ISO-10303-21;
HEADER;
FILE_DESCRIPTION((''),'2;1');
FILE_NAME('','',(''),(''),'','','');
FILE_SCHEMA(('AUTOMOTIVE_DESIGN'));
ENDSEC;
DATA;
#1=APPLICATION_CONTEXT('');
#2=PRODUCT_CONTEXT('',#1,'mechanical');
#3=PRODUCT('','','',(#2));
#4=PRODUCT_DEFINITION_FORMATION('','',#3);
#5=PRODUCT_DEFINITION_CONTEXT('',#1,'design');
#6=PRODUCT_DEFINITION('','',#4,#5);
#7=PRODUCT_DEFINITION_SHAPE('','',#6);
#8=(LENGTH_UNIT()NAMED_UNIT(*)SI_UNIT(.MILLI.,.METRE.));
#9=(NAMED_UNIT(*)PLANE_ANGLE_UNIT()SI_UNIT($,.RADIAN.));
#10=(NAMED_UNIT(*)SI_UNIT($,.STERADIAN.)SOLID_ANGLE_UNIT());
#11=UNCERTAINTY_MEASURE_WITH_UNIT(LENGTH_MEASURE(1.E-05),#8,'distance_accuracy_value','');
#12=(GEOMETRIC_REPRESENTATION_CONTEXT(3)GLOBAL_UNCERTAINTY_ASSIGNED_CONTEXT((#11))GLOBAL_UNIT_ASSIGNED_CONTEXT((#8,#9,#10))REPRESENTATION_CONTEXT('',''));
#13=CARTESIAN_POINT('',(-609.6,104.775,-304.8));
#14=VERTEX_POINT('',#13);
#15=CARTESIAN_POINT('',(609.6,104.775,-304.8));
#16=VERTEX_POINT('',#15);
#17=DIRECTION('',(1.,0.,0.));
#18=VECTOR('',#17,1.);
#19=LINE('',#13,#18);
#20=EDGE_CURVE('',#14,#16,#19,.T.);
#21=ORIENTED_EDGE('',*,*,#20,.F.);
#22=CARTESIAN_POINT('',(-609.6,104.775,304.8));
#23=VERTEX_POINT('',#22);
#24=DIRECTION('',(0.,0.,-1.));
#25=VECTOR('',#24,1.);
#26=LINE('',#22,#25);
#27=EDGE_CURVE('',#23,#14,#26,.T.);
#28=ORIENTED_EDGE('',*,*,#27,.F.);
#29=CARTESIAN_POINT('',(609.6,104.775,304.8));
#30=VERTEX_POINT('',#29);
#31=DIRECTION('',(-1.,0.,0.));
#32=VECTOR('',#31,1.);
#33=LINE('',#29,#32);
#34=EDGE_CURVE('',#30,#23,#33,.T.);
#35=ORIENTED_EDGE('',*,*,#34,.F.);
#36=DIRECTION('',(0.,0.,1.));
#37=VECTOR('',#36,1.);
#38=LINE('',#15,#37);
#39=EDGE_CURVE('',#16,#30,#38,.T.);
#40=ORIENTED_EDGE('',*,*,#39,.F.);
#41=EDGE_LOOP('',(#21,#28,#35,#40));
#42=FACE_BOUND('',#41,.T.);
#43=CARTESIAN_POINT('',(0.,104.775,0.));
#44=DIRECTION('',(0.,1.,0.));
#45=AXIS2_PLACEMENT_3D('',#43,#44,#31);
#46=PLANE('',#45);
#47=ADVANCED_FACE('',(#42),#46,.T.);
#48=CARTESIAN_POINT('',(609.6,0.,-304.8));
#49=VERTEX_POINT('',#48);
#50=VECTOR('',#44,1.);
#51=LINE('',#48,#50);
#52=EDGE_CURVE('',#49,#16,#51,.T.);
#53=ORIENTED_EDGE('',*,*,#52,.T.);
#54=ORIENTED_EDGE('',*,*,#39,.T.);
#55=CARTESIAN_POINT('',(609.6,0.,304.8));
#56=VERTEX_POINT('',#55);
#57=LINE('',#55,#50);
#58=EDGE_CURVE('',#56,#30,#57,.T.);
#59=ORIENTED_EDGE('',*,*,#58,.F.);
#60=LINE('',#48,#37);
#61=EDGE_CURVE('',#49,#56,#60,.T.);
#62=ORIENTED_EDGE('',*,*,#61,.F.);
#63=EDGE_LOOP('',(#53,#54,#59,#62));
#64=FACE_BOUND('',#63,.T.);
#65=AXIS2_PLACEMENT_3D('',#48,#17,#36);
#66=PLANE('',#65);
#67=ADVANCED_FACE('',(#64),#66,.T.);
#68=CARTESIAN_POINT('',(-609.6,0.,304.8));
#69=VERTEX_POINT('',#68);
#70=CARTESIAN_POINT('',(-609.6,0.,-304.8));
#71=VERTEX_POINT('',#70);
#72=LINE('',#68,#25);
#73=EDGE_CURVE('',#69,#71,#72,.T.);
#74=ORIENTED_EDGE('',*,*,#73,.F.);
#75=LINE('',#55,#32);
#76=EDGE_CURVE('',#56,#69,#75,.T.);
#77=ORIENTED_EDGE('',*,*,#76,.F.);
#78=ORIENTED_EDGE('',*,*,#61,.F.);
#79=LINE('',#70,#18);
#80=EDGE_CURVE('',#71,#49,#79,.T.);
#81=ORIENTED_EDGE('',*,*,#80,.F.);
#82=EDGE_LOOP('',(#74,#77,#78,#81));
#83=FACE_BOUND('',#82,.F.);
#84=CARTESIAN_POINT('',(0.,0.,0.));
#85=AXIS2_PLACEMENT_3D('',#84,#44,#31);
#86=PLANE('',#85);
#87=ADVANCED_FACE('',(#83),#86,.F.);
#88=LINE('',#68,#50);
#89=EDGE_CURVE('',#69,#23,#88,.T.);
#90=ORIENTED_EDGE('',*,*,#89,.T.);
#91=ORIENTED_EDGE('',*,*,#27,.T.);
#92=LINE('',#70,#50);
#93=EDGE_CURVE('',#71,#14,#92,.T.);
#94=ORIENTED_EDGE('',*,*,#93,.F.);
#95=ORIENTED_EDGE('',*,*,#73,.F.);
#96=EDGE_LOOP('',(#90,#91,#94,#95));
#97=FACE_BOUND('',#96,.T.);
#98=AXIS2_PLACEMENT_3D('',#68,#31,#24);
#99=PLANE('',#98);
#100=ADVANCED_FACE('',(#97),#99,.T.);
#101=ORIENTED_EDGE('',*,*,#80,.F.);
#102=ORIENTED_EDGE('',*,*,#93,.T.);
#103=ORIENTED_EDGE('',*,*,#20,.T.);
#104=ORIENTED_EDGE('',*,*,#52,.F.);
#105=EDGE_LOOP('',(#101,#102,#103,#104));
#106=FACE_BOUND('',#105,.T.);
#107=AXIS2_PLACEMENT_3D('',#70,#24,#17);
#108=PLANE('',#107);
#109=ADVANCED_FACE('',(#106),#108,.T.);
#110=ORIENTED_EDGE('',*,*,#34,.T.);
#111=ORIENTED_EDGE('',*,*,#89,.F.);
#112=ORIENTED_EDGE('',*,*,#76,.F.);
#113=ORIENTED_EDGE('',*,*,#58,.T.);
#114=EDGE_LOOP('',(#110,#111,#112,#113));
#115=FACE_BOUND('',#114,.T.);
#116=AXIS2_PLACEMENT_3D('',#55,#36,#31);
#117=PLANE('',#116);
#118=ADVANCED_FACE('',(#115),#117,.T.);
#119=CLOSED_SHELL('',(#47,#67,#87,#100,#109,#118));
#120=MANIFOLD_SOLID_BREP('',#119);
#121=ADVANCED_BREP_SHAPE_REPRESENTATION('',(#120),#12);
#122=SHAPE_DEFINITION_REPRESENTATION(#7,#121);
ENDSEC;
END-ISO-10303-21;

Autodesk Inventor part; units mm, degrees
ref_plane "YZ Plane" through (0, 0, 0) normal (1, 0, 0) x (0, 1, 0)
ref_plane "XZ Plane" through (0, 0, 0) normal (0, 1, 0) x (-1, 0, 0)
ref_plane "XY Plane" through (0, 0, 0) normal (0, 0, 1) x (1, 0, 0)
sketch "Sketch2" plane through (0, 0, 0) normal (0, 1, 0) x (-1, 0, 0)
  line L0 (609.6, -304.8) -> (-609.6, -304.8)
  line L1 (-609.6, -304.8) -> (-609.6, 304.8)
  line L2 (-609.6, 304.8) -> (609.6, 304.8)
  line L3 (609.6, 304.8) -> (609.6, -304.8)
  line L4 (609.6, -304.8) -> (-609.6, 304.8) construction
  line L5 (-609.6, -304.8) -> (609.6, 304.8) construction
  point P0 (0, 0)
  dimension "d0" = 1219.2
  dimension "d1" = 609.6
extrude "Extrusion1" add sketch "Sketch2" along normal blind 104.775
properties part number "Paver type 1-vehicular" material "Limestone"
